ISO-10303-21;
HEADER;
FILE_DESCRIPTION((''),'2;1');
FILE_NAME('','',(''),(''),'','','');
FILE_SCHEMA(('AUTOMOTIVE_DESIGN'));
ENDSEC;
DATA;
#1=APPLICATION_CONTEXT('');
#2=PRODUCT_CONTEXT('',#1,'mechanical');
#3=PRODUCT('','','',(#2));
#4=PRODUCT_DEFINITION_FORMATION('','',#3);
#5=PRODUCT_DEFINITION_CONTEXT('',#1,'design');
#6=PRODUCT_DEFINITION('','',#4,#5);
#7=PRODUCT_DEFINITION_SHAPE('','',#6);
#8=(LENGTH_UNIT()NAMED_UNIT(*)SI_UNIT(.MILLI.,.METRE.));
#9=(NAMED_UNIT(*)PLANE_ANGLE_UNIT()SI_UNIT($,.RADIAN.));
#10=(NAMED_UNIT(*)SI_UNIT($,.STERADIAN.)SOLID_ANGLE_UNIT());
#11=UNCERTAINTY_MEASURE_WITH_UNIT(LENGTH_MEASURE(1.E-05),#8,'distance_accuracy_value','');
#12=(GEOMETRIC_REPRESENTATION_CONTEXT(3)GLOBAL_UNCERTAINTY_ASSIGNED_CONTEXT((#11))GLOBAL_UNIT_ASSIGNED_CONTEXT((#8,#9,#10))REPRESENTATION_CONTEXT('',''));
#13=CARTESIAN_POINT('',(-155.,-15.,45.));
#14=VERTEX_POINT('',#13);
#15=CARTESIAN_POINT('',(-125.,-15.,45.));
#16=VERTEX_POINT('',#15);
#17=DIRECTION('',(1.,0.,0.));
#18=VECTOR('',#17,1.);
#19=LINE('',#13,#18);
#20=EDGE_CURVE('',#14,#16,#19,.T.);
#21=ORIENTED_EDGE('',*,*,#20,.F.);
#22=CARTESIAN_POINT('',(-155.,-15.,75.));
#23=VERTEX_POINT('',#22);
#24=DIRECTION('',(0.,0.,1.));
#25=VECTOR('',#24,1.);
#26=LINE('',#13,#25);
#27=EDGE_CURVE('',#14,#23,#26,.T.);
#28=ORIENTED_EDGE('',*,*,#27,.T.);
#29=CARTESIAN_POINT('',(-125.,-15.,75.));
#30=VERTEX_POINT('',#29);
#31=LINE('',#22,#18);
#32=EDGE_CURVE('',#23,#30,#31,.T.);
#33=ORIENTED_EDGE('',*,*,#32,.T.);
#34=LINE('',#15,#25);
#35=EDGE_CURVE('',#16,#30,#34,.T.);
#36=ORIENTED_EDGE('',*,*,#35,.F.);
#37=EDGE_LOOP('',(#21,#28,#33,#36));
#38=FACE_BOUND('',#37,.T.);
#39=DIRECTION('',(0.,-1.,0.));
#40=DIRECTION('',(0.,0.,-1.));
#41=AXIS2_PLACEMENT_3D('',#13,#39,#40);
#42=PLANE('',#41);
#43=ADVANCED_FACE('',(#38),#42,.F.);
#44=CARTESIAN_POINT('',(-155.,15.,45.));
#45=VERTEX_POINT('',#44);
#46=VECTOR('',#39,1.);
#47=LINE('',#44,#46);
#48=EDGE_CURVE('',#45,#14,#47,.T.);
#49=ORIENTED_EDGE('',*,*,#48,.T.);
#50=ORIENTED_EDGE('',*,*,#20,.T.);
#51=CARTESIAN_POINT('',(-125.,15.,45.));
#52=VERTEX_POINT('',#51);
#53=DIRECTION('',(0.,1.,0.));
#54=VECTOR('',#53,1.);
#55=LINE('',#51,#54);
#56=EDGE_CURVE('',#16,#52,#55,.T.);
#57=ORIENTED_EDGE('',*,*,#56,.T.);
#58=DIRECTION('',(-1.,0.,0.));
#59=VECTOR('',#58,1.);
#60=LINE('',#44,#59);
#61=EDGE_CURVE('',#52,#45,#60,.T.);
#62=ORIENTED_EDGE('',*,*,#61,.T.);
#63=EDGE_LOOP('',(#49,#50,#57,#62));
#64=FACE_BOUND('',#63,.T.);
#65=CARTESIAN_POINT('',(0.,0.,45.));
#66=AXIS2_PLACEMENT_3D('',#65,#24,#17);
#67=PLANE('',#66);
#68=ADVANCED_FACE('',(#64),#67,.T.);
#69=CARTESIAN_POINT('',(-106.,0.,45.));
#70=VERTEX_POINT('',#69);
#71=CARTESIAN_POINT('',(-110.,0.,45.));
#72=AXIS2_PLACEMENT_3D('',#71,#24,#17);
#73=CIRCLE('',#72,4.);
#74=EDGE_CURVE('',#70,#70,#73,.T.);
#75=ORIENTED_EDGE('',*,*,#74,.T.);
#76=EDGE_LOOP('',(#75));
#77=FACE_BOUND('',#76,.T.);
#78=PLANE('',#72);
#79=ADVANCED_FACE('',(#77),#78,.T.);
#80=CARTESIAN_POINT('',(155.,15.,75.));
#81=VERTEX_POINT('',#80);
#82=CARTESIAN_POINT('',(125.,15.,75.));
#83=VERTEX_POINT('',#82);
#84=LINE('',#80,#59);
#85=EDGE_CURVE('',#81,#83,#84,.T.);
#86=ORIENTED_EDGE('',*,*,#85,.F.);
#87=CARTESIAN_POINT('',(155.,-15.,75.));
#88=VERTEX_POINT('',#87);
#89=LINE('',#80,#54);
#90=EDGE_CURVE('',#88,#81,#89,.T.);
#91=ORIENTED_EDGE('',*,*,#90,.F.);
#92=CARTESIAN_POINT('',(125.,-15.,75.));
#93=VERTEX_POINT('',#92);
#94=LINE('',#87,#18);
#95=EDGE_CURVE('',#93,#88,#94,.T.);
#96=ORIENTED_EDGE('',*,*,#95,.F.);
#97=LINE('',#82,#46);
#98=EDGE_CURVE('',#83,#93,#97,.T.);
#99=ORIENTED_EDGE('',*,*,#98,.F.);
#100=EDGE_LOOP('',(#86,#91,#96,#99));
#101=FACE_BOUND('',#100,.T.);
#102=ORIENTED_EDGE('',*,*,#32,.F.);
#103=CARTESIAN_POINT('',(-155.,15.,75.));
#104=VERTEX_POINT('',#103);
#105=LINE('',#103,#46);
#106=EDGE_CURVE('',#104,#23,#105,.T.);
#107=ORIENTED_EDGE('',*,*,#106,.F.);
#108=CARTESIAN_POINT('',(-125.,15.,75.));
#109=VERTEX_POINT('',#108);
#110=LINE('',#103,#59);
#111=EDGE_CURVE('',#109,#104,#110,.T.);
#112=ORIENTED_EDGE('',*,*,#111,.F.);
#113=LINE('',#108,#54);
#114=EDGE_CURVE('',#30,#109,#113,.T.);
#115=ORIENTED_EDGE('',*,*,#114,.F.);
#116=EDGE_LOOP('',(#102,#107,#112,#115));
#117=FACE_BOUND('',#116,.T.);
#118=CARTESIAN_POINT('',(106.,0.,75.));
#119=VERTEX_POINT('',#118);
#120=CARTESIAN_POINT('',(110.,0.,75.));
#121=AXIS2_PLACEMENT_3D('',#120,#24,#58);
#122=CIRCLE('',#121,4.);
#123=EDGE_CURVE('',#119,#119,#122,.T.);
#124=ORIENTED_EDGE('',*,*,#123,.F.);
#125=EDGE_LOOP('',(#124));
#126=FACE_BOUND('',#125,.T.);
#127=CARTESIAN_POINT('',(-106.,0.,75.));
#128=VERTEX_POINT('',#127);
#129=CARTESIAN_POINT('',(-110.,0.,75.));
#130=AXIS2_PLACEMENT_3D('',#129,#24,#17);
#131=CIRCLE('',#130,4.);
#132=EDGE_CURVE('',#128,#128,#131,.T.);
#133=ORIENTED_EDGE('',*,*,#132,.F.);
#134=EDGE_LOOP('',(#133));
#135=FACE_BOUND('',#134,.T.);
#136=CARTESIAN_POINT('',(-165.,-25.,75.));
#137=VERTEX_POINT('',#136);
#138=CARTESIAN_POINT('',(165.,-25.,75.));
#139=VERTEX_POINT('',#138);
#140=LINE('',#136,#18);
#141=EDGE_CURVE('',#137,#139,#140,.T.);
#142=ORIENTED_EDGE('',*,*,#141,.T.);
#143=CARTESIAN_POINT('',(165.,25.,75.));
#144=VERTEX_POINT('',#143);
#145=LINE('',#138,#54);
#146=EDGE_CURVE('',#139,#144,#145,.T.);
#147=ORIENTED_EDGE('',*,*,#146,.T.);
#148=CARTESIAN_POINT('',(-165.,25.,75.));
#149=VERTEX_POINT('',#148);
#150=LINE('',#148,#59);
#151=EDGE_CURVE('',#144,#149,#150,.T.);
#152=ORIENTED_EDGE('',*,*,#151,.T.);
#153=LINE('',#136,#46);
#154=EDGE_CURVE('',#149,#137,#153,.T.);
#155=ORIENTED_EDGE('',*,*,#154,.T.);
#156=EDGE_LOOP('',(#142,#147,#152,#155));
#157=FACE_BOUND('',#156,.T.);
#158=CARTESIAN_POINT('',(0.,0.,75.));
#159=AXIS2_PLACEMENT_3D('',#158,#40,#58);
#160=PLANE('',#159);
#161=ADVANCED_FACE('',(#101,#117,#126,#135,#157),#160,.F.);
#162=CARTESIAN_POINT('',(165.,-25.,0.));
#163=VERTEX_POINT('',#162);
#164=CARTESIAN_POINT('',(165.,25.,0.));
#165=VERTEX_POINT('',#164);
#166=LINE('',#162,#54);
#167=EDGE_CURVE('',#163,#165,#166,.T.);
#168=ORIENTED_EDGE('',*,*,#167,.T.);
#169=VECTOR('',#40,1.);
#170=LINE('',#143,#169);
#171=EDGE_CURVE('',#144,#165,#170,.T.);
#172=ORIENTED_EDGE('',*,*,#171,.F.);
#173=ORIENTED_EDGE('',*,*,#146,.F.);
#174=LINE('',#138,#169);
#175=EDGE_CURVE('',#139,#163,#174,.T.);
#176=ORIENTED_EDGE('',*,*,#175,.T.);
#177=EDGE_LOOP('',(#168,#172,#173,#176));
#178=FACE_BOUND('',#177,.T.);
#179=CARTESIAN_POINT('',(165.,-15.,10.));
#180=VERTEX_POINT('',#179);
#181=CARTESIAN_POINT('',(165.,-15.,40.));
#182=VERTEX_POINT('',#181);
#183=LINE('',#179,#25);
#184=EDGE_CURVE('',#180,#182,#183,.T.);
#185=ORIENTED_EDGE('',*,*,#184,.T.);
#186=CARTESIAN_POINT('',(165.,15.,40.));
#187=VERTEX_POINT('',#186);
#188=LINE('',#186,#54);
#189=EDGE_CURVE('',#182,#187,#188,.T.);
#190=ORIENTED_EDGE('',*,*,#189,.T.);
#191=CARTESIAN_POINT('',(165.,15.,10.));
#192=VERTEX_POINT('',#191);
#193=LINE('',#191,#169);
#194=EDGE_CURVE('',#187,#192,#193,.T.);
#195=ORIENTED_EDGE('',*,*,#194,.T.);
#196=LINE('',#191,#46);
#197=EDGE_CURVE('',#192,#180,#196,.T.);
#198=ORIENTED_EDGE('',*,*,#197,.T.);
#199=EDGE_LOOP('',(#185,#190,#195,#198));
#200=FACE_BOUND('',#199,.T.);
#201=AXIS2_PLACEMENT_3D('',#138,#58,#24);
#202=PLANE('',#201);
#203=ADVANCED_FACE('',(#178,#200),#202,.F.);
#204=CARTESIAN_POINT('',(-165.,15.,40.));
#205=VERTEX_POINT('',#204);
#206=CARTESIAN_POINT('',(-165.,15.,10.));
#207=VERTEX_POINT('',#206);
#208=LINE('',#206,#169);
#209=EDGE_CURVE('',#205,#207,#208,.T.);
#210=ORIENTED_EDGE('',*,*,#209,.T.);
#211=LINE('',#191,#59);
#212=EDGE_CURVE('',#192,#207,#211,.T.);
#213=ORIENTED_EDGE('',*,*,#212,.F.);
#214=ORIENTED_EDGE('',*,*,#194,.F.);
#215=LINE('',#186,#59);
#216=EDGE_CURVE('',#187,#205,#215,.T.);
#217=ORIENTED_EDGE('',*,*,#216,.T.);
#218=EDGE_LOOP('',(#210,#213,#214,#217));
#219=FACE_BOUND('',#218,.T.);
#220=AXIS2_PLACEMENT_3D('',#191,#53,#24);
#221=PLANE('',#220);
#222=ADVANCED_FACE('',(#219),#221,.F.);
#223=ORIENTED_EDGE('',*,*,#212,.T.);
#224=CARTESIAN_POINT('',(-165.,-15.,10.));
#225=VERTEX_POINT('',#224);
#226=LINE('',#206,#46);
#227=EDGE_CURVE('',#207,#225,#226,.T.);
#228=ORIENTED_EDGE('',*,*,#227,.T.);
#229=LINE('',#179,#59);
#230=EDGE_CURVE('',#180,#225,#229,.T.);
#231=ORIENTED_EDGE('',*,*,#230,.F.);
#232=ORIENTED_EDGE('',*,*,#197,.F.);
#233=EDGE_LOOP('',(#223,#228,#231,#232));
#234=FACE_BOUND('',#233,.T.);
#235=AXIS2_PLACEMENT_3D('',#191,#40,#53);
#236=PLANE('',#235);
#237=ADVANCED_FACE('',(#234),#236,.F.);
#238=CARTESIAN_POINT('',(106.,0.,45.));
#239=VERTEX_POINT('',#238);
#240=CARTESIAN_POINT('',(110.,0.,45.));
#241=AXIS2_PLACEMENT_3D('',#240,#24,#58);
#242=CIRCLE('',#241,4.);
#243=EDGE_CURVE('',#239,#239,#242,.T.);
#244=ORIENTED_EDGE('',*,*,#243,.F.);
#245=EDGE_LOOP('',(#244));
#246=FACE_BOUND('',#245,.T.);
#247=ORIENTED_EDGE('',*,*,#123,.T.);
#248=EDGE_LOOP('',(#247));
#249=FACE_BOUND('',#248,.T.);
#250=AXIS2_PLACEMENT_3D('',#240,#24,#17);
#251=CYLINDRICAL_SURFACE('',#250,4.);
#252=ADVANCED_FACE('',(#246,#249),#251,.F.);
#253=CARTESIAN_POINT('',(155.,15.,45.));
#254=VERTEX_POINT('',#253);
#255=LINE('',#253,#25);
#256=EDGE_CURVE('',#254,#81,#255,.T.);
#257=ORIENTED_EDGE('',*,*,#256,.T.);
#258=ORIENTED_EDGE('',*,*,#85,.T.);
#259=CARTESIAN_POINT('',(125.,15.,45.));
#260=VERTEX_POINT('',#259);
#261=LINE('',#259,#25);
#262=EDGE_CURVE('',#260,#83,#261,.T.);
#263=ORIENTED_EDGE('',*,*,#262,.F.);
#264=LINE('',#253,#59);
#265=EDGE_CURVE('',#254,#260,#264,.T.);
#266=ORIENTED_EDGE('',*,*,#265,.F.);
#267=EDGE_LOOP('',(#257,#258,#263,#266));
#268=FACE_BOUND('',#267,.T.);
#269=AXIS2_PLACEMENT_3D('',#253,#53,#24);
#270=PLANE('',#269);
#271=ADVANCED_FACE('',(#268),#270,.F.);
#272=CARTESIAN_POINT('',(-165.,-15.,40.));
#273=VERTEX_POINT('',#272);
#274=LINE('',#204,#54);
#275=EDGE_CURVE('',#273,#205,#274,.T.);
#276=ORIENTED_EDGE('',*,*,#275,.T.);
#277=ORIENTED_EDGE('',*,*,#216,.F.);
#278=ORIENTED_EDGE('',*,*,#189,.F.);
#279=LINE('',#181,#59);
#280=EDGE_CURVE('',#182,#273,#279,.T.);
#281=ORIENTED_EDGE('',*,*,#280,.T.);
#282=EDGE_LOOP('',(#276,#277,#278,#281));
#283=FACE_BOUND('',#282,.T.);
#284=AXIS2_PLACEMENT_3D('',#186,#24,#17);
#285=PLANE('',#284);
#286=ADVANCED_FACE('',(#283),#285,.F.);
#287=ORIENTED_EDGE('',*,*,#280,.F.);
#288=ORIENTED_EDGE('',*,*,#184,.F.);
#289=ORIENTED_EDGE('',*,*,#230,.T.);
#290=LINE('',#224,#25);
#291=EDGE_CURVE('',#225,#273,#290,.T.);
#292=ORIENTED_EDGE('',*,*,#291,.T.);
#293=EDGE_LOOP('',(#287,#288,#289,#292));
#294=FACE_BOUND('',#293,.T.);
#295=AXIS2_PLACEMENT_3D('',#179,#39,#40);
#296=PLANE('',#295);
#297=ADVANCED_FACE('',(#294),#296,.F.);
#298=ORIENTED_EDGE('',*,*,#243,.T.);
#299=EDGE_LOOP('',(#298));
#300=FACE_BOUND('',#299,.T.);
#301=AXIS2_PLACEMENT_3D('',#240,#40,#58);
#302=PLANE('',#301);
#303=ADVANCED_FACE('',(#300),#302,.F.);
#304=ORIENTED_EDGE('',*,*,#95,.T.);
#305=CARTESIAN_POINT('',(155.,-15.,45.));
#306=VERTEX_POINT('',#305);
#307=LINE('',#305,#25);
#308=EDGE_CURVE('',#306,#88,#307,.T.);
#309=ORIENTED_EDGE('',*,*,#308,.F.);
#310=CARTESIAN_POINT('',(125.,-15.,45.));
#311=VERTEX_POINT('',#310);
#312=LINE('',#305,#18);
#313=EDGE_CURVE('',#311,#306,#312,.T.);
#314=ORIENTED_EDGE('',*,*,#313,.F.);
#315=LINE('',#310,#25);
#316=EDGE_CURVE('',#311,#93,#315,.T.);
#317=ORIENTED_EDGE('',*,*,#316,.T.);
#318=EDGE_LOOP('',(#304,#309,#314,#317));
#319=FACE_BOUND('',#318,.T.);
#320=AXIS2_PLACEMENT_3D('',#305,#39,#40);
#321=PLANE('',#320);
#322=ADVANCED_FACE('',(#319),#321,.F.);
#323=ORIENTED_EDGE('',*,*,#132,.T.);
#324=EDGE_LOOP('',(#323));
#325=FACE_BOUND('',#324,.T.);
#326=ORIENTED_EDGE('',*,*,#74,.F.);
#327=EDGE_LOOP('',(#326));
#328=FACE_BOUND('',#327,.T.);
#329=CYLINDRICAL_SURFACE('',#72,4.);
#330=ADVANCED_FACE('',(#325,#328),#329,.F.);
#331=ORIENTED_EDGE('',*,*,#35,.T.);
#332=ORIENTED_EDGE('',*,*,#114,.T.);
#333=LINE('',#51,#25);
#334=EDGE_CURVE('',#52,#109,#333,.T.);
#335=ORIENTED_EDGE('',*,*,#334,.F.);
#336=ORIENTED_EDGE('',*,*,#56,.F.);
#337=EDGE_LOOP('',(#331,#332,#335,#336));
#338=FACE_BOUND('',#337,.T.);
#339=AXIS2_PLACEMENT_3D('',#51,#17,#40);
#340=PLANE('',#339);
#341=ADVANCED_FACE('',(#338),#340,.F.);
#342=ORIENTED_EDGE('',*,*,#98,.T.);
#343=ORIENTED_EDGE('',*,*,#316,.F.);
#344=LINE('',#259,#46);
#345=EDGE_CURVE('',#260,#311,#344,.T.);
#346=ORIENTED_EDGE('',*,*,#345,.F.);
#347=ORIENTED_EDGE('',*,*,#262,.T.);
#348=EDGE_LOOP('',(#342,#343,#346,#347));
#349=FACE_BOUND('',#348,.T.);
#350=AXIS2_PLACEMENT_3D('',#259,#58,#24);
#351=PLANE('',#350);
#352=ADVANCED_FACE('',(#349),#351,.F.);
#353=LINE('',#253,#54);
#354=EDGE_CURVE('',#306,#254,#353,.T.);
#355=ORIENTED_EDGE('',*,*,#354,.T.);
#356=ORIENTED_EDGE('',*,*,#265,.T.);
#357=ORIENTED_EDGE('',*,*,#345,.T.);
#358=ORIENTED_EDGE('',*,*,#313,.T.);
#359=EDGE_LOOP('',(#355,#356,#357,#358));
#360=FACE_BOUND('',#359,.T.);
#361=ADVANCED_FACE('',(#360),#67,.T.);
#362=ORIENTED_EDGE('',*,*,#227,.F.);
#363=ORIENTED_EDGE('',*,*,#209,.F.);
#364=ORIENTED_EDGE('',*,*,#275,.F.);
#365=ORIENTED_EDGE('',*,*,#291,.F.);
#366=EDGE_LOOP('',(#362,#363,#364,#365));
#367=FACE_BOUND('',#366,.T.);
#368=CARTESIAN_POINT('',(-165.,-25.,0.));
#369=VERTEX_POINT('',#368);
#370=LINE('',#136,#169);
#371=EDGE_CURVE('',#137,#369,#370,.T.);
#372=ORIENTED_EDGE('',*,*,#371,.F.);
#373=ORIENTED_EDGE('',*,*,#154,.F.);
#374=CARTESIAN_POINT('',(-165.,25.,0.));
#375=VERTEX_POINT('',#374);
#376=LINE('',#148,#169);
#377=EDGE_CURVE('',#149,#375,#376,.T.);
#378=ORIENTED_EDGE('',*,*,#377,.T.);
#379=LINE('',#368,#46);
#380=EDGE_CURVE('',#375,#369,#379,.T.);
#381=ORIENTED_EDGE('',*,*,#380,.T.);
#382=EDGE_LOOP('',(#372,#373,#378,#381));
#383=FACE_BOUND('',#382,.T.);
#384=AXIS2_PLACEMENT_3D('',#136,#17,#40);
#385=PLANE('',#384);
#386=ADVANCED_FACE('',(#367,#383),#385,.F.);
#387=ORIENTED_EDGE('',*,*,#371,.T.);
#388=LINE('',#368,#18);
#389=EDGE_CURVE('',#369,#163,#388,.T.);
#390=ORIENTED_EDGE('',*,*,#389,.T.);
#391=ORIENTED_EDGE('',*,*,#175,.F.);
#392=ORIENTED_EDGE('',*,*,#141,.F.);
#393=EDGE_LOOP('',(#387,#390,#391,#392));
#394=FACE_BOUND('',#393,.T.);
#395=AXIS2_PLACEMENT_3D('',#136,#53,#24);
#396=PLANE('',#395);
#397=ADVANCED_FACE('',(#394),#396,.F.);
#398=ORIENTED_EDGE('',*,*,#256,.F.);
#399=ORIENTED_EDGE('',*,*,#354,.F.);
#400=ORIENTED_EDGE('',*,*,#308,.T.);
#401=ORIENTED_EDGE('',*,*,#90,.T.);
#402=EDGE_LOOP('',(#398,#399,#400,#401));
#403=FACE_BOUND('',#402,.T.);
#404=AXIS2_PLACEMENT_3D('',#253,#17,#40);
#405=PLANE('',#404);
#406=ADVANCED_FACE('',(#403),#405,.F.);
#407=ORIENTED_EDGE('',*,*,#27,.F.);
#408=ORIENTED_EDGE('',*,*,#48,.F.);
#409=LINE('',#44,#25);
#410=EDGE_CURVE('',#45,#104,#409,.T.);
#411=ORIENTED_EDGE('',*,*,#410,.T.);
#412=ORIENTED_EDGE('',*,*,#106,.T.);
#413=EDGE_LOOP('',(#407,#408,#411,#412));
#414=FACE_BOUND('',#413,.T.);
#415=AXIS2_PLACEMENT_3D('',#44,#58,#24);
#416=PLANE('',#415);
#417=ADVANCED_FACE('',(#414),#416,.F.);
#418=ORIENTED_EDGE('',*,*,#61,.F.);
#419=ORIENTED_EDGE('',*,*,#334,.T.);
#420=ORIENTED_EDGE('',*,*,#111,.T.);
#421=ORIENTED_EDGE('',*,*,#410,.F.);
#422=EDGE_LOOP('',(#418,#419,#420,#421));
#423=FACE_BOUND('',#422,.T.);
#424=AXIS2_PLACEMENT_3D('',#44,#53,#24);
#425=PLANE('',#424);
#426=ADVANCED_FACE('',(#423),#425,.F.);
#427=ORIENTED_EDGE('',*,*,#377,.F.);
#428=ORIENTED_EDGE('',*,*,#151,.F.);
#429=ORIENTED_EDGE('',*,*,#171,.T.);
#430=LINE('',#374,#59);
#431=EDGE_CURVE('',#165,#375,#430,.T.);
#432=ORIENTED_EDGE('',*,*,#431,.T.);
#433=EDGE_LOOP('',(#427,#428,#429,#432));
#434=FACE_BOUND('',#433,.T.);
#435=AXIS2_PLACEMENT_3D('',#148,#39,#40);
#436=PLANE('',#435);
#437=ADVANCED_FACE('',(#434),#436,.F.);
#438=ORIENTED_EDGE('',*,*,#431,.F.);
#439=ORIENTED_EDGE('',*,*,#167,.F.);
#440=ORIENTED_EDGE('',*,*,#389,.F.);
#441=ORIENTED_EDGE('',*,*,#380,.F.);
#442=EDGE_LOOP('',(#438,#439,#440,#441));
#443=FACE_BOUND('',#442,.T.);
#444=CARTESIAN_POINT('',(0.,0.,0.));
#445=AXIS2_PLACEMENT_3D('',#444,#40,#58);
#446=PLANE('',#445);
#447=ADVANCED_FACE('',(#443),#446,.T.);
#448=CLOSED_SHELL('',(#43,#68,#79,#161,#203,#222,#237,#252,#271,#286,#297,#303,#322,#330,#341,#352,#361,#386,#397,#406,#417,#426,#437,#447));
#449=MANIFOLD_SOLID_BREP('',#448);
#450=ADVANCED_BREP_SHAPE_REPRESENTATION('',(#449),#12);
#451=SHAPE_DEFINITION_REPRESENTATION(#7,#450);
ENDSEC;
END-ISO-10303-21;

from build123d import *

# Parameters (mm, degrees)
CROQUIS1_W              = 330
CROQUIS1_H              = 50
SALIENTE_EXTRUIR1_DEPTH = 75
CROQUIS2_R              = 4
CROQUIS2_W              = 30
CROQUIS2_H              = 30
CORTAR_EXTRUIR1_DEPTH   = 30
CROQUIS3_W              = 30
CROQUIS3_H              = 30
CORTAR_EXTRUIR2_DEPTH   = 331


with BuildPart() as part:
    # Croquis1 → Saliente-Extruir1 (new body)
    with BuildSketch(Plane.XY):
        Rectangle(CROQUIS1_W, CROQUIS1_H)
    extrude(amount=SALIENTE_EXTRUIR1_DEPTH)

    # Croquis2 → Cortar-Extruir1 (cut)
    with BuildSketch(Plane.XY.offset(75)):
        with Locations((-110, 0)):
            Circle(CROQUIS2_R)
        with Locations((110, 0)):
            Circle(CROQUIS2_R)
        with Locations((-140, 0)):
            Rectangle(CROQUIS2_W, CROQUIS2_H)
        with Locations((140, 0)):
            Rectangle(CROQUIS2_W, CROQUIS2_H)
    extrude(amount=-CORTAR_EXTRUIR1_DEPTH, mode=Mode.SUBTRACT)

    # Croquis3 → Cortar-Extruir2 (cut, through all)
    with BuildSketch(Plane.ZY.offset(165)):
        with Locations((25, 0)):
            Rectangle(CROQUIS3_W, CROQUIS3_H)
    extrude(amount=-CORTAR_EXTRUIR2_DEPTH, mode=Mode.SUBTRACT)


solid = part.part
